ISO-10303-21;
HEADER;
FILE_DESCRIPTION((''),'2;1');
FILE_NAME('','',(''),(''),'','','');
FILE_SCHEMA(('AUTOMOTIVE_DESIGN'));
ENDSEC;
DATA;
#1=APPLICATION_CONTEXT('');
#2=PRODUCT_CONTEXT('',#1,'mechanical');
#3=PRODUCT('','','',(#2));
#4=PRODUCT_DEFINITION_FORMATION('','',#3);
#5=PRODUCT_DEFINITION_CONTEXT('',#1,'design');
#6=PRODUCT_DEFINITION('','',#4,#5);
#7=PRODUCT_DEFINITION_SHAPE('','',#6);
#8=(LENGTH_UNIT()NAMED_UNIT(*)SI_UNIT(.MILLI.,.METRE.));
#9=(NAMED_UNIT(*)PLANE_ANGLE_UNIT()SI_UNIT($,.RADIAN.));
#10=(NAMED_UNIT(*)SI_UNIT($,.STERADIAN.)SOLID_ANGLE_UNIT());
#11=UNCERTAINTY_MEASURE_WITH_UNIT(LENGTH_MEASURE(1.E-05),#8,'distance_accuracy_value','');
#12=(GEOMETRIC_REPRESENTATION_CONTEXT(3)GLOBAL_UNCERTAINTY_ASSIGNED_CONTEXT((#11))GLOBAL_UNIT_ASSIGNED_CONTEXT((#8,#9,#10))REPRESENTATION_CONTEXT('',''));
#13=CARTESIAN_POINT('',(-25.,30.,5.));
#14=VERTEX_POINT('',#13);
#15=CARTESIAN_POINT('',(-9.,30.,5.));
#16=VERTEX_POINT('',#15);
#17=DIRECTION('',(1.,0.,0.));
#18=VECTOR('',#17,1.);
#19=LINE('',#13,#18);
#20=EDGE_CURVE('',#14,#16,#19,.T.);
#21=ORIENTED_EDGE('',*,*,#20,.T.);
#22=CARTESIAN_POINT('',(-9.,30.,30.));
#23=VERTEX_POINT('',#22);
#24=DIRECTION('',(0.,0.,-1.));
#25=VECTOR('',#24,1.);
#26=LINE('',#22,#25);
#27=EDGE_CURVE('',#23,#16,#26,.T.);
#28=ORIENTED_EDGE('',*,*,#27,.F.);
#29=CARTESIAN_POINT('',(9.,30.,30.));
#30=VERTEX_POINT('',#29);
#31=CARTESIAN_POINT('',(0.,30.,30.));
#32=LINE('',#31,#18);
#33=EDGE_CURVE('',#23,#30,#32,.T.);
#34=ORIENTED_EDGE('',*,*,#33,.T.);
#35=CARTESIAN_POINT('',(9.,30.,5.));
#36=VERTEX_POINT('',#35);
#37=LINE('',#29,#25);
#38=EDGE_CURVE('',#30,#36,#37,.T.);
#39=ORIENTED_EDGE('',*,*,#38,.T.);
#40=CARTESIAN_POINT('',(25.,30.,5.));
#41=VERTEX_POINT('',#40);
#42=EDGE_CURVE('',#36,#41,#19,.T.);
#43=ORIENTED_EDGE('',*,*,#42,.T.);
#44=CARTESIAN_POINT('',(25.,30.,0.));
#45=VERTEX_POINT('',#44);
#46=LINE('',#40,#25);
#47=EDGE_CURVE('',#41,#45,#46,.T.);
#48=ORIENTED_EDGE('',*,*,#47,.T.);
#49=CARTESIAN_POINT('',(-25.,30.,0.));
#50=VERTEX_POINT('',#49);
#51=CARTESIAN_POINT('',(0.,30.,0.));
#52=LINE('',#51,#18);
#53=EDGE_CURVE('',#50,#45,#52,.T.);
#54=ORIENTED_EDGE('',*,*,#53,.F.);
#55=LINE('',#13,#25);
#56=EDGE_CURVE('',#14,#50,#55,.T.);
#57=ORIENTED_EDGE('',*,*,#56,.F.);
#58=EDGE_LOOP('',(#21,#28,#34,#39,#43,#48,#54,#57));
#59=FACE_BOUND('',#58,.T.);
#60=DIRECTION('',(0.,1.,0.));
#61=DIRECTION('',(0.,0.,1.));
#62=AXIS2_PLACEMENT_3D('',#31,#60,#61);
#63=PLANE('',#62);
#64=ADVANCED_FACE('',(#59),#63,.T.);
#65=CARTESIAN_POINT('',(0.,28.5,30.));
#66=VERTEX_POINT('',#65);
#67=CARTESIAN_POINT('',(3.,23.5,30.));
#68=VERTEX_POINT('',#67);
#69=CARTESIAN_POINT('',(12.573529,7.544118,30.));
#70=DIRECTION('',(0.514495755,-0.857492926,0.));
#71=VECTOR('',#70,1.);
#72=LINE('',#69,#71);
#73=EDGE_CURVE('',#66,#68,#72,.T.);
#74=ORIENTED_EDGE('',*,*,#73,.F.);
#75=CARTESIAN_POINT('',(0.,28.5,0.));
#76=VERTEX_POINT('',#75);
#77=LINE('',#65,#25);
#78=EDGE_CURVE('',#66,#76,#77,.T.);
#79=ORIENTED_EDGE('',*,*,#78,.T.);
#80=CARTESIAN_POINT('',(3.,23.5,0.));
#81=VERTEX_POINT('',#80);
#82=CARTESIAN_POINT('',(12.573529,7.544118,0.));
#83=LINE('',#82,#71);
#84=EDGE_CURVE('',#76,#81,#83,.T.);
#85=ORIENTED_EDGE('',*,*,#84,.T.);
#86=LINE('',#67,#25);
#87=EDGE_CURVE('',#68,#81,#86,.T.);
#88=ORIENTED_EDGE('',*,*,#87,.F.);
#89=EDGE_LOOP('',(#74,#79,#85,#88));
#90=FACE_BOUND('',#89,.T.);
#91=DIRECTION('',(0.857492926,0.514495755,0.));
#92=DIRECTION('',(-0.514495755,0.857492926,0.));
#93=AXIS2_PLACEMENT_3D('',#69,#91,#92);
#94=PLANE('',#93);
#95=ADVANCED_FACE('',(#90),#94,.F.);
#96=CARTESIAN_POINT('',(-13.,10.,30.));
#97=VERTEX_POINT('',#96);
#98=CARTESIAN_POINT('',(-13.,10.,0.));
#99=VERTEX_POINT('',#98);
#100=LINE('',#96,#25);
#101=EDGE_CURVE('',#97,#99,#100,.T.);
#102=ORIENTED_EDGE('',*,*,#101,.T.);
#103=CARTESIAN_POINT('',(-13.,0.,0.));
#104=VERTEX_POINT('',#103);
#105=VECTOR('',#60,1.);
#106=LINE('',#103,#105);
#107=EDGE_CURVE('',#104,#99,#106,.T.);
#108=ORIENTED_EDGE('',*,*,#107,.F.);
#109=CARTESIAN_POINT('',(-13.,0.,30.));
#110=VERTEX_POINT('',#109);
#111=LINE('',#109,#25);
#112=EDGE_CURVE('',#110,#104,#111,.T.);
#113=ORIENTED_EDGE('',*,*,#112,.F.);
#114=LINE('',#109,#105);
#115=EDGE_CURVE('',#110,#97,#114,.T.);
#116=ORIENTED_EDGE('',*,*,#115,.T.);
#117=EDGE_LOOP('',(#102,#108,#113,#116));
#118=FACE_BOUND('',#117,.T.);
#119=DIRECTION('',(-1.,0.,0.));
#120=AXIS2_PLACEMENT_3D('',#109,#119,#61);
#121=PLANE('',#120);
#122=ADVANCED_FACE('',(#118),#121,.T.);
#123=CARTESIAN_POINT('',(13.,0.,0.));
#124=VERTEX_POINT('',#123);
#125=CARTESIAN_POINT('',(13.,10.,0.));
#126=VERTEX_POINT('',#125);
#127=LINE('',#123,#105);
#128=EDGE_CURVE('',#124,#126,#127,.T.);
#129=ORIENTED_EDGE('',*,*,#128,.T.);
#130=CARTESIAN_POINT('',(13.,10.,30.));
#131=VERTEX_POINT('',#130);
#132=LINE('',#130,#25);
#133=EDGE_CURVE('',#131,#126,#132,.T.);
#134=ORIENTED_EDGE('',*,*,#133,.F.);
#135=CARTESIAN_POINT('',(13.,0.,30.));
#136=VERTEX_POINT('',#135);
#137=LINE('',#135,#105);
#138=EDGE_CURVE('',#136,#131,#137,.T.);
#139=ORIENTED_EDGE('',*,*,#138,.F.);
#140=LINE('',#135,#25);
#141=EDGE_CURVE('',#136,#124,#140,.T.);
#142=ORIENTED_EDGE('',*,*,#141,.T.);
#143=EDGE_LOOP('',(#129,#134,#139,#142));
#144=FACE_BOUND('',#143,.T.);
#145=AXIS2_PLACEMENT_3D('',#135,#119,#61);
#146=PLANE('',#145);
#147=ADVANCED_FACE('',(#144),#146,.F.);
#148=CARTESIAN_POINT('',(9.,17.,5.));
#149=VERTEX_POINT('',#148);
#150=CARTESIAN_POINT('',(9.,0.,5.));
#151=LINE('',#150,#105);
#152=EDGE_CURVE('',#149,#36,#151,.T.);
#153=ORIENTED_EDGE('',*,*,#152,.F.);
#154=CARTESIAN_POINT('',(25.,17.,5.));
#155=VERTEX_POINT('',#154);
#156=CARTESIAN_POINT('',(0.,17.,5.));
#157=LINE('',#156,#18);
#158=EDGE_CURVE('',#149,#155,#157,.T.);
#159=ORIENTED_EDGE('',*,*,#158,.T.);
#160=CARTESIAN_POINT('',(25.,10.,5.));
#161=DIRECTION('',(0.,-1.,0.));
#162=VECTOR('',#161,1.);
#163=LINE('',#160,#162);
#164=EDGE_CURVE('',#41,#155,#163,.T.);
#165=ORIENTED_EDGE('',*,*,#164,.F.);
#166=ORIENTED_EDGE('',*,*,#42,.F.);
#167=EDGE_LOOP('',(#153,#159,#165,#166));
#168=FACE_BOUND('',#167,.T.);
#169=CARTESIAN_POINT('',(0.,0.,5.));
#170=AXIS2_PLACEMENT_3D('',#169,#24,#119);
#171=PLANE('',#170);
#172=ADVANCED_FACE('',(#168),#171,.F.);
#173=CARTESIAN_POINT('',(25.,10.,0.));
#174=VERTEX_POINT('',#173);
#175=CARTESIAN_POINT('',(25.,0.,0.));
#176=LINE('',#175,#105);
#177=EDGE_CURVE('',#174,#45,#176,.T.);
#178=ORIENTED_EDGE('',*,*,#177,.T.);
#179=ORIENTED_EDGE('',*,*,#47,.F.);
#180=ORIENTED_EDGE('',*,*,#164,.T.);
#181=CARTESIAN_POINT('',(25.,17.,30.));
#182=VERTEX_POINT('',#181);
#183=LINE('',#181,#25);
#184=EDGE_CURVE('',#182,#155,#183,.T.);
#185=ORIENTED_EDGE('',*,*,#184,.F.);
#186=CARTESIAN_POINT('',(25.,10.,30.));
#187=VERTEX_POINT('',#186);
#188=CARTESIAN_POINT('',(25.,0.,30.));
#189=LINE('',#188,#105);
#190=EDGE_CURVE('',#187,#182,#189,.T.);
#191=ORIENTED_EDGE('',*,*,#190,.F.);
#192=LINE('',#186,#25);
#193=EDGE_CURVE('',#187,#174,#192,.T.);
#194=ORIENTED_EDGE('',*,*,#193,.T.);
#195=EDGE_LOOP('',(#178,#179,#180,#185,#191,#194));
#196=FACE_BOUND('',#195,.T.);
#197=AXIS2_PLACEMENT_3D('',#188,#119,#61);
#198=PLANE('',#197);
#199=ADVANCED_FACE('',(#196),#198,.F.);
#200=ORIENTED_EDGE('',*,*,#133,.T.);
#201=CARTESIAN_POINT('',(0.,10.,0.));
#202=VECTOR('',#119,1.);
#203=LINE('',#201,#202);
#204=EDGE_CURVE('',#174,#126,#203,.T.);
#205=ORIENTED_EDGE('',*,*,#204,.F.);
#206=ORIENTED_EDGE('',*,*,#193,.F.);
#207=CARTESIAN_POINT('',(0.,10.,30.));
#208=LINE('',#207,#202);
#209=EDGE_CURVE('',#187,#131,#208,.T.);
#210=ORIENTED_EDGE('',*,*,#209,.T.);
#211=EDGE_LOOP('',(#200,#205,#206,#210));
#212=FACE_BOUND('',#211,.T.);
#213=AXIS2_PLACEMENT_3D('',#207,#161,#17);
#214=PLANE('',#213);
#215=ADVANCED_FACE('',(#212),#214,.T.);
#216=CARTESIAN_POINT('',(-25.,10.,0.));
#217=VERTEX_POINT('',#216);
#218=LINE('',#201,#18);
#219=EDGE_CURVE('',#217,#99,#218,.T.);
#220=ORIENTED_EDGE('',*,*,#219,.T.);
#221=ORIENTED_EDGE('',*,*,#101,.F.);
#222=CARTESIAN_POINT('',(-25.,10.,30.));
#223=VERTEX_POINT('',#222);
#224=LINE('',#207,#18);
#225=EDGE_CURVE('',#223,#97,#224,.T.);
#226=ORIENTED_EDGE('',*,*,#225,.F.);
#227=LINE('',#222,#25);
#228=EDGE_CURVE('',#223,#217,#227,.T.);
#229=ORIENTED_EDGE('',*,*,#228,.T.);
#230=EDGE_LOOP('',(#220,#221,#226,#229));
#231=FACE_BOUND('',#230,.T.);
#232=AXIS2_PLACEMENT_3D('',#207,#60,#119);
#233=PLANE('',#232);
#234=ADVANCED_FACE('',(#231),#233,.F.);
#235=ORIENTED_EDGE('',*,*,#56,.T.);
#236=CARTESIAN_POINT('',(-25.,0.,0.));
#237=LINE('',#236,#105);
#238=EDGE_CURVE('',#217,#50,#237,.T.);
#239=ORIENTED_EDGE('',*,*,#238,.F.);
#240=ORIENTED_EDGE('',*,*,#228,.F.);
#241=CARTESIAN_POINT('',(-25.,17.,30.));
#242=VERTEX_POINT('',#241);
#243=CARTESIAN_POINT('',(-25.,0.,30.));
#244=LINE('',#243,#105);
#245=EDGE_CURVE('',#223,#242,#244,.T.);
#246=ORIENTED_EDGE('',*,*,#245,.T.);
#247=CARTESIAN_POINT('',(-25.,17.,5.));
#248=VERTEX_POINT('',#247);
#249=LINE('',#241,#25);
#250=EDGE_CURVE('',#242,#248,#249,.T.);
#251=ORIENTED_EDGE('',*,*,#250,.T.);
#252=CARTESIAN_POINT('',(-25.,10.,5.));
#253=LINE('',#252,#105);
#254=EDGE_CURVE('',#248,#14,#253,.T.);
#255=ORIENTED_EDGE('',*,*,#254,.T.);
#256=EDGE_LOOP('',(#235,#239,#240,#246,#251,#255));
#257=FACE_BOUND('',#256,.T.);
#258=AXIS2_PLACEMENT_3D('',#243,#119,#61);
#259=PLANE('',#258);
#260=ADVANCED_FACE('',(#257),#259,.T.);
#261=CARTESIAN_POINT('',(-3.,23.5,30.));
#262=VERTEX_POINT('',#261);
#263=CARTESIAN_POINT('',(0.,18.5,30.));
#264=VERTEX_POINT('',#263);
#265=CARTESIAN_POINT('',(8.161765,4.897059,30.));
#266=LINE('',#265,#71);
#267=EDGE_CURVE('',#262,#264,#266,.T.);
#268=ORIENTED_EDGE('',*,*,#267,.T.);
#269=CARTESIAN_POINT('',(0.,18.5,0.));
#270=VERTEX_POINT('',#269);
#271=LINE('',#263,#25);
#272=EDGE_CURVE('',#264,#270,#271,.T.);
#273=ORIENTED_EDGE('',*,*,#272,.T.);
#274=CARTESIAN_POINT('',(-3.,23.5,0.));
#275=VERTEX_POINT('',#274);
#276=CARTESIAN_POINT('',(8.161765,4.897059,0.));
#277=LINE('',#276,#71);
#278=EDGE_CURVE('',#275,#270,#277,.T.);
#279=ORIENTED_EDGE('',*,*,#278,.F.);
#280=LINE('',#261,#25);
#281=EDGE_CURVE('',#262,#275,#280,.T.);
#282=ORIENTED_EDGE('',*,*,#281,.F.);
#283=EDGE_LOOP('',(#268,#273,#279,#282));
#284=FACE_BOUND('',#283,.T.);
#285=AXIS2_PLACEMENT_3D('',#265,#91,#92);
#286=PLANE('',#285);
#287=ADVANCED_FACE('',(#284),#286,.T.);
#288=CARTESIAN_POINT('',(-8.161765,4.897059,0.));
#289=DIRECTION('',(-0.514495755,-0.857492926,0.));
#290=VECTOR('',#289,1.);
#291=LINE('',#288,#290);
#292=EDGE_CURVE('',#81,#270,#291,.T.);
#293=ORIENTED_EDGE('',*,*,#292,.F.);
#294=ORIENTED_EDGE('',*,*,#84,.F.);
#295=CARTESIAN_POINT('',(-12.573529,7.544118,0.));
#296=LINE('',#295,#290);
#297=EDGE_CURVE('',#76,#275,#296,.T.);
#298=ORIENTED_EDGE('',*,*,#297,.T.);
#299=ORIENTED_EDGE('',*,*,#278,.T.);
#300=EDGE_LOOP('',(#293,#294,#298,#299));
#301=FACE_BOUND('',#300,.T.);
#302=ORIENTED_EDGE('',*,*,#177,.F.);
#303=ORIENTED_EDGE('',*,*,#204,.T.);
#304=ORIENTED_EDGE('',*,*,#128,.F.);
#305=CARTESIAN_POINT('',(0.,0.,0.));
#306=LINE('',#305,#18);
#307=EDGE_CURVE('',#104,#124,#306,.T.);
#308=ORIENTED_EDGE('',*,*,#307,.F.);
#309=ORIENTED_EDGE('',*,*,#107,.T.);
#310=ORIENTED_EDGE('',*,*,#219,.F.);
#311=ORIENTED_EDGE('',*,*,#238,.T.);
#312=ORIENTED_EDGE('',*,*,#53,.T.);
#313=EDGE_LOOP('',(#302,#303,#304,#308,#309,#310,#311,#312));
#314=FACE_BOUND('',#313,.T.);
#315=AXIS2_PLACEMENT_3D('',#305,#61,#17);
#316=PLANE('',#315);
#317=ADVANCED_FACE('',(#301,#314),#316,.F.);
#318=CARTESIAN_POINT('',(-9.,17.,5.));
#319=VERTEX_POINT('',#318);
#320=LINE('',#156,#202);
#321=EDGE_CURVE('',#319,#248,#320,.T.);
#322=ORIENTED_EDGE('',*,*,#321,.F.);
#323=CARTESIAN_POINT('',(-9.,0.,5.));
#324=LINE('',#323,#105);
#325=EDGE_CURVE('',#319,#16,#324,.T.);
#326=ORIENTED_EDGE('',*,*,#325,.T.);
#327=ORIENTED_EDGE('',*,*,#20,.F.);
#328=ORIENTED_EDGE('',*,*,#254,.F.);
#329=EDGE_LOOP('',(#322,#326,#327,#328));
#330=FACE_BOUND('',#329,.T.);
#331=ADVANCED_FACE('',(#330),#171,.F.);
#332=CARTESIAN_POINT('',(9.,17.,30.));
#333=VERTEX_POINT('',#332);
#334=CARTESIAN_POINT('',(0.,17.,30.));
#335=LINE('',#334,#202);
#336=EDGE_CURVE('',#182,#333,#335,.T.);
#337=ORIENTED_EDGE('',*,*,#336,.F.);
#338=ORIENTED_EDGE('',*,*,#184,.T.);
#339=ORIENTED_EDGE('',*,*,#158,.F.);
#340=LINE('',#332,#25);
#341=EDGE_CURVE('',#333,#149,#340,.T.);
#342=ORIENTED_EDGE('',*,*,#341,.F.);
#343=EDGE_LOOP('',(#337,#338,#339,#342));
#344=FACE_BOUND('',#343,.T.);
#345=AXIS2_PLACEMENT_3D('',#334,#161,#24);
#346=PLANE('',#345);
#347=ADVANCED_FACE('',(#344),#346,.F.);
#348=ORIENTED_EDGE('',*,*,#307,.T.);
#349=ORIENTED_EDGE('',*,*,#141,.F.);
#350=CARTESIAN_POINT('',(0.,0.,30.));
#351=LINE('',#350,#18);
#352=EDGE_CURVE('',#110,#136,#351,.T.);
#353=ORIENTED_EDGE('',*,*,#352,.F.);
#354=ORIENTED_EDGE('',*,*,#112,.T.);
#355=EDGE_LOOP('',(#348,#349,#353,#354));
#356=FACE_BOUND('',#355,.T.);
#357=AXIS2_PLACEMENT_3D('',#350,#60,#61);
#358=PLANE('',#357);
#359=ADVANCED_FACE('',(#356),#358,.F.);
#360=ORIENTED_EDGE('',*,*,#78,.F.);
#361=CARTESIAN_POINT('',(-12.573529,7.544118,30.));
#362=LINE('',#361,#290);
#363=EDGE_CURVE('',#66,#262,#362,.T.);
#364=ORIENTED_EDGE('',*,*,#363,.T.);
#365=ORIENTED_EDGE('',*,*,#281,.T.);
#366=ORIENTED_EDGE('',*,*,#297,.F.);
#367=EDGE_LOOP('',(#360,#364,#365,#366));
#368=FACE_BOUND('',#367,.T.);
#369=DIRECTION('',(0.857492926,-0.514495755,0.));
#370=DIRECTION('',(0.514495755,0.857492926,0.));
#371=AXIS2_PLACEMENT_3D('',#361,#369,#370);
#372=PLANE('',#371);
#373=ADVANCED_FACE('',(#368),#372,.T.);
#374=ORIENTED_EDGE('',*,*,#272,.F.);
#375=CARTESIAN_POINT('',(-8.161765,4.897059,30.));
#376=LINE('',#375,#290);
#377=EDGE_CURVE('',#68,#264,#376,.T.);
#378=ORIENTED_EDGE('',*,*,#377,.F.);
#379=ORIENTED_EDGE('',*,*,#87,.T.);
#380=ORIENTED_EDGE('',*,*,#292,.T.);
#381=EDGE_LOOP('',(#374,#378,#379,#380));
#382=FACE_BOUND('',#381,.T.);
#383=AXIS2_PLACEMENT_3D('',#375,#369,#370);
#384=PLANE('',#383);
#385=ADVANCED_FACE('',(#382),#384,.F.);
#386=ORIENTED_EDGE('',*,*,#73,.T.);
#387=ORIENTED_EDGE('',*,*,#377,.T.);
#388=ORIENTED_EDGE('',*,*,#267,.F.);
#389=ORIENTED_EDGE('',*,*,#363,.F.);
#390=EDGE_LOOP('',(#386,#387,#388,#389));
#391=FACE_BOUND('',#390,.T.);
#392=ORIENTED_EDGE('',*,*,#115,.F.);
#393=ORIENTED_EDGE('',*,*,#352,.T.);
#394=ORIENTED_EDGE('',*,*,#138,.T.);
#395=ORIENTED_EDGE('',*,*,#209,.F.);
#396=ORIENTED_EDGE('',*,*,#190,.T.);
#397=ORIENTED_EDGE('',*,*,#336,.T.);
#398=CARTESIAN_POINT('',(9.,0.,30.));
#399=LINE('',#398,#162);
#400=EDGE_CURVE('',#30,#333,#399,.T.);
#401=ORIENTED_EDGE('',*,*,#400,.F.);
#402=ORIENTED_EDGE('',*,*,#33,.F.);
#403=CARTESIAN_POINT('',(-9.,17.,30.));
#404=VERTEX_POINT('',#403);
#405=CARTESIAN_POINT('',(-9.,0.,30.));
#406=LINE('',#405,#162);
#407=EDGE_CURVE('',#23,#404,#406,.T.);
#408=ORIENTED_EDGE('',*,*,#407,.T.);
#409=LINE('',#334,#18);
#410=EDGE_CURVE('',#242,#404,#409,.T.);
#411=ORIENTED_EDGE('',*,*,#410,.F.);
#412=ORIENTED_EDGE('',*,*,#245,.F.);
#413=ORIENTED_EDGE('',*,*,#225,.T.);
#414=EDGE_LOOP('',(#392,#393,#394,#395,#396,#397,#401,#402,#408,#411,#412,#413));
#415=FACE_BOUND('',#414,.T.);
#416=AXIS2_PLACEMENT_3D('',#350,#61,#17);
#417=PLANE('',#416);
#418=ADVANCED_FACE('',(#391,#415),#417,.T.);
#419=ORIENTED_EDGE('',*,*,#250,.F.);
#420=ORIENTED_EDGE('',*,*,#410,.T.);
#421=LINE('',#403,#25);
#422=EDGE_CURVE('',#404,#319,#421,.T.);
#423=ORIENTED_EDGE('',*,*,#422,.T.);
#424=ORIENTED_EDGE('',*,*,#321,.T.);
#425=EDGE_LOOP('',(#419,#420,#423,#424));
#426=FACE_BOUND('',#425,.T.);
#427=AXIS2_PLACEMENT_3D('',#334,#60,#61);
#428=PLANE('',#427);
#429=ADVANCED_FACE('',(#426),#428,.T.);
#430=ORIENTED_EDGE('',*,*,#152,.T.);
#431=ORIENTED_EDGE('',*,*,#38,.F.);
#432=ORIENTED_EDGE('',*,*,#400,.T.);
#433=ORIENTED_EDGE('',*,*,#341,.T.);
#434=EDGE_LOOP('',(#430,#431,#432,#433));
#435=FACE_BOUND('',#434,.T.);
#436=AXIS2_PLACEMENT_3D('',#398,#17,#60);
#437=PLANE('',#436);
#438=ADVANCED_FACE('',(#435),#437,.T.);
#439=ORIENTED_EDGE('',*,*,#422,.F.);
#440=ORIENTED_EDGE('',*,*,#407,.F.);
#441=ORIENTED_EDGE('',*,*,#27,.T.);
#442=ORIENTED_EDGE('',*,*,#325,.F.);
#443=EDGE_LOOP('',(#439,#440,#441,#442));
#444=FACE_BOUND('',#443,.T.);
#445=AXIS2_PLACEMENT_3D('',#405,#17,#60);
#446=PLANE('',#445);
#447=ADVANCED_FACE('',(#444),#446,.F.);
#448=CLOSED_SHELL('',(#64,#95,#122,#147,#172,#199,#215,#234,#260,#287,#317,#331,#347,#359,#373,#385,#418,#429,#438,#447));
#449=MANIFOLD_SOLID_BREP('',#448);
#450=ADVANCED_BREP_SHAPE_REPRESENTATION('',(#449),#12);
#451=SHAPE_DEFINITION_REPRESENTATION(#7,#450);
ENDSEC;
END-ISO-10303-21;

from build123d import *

# Parameters (mm, degrees)
EXTRUDE_1_DEPTH = 30
SKETCH_2_W      = 50
SKETCH_2_H      = 20
EXTRUDE_2_DEPTH = 5


with BuildPart() as part:
    # Эскиз1 → Бобышка-Вытянуть1 (new body)
    with BuildSketch(Plane.XY):
        Polygon((9, 17), (9, 23.5), (3, 23.5), (0, 18.5), (0, 0), (13, 0), (13, 10), (25, 10), (25, 17), align=None)
        Polygon((3, 23.5), (9, 23.5), (9, 30), (0, 30), (0, 28.5), align=None)
    extrude_1 = extrude(amount=EXTRUDE_1_DEPTH)

    # Зеркальное отражение1: Бобышка-Вытянуть1 across plane
    add(extrude_1.mirror(Plane(origin=(0, 0, 30), x_dir=(0, 0, 1), z_dir=(-1, 0, 0))))

    # Эскиз2 → Бобышка-Вытянуть2 (add)
    with BuildSketch(Plane(origin=(0, 0, 0), x_dir=(-1, 0, 0), z_dir=(0, 0, -1))):
        with Locations((0, 20)):
            Rectangle(SKETCH_2_W, SKETCH_2_H)
        Polygon((0, 28.5), (3, 23.5), (0, 18.5), (-3, 23.5), align=None, mode=Mode.SUBTRACT)
    extrude(amount=-EXTRUDE_2_DEPTH)


solid = part.part
